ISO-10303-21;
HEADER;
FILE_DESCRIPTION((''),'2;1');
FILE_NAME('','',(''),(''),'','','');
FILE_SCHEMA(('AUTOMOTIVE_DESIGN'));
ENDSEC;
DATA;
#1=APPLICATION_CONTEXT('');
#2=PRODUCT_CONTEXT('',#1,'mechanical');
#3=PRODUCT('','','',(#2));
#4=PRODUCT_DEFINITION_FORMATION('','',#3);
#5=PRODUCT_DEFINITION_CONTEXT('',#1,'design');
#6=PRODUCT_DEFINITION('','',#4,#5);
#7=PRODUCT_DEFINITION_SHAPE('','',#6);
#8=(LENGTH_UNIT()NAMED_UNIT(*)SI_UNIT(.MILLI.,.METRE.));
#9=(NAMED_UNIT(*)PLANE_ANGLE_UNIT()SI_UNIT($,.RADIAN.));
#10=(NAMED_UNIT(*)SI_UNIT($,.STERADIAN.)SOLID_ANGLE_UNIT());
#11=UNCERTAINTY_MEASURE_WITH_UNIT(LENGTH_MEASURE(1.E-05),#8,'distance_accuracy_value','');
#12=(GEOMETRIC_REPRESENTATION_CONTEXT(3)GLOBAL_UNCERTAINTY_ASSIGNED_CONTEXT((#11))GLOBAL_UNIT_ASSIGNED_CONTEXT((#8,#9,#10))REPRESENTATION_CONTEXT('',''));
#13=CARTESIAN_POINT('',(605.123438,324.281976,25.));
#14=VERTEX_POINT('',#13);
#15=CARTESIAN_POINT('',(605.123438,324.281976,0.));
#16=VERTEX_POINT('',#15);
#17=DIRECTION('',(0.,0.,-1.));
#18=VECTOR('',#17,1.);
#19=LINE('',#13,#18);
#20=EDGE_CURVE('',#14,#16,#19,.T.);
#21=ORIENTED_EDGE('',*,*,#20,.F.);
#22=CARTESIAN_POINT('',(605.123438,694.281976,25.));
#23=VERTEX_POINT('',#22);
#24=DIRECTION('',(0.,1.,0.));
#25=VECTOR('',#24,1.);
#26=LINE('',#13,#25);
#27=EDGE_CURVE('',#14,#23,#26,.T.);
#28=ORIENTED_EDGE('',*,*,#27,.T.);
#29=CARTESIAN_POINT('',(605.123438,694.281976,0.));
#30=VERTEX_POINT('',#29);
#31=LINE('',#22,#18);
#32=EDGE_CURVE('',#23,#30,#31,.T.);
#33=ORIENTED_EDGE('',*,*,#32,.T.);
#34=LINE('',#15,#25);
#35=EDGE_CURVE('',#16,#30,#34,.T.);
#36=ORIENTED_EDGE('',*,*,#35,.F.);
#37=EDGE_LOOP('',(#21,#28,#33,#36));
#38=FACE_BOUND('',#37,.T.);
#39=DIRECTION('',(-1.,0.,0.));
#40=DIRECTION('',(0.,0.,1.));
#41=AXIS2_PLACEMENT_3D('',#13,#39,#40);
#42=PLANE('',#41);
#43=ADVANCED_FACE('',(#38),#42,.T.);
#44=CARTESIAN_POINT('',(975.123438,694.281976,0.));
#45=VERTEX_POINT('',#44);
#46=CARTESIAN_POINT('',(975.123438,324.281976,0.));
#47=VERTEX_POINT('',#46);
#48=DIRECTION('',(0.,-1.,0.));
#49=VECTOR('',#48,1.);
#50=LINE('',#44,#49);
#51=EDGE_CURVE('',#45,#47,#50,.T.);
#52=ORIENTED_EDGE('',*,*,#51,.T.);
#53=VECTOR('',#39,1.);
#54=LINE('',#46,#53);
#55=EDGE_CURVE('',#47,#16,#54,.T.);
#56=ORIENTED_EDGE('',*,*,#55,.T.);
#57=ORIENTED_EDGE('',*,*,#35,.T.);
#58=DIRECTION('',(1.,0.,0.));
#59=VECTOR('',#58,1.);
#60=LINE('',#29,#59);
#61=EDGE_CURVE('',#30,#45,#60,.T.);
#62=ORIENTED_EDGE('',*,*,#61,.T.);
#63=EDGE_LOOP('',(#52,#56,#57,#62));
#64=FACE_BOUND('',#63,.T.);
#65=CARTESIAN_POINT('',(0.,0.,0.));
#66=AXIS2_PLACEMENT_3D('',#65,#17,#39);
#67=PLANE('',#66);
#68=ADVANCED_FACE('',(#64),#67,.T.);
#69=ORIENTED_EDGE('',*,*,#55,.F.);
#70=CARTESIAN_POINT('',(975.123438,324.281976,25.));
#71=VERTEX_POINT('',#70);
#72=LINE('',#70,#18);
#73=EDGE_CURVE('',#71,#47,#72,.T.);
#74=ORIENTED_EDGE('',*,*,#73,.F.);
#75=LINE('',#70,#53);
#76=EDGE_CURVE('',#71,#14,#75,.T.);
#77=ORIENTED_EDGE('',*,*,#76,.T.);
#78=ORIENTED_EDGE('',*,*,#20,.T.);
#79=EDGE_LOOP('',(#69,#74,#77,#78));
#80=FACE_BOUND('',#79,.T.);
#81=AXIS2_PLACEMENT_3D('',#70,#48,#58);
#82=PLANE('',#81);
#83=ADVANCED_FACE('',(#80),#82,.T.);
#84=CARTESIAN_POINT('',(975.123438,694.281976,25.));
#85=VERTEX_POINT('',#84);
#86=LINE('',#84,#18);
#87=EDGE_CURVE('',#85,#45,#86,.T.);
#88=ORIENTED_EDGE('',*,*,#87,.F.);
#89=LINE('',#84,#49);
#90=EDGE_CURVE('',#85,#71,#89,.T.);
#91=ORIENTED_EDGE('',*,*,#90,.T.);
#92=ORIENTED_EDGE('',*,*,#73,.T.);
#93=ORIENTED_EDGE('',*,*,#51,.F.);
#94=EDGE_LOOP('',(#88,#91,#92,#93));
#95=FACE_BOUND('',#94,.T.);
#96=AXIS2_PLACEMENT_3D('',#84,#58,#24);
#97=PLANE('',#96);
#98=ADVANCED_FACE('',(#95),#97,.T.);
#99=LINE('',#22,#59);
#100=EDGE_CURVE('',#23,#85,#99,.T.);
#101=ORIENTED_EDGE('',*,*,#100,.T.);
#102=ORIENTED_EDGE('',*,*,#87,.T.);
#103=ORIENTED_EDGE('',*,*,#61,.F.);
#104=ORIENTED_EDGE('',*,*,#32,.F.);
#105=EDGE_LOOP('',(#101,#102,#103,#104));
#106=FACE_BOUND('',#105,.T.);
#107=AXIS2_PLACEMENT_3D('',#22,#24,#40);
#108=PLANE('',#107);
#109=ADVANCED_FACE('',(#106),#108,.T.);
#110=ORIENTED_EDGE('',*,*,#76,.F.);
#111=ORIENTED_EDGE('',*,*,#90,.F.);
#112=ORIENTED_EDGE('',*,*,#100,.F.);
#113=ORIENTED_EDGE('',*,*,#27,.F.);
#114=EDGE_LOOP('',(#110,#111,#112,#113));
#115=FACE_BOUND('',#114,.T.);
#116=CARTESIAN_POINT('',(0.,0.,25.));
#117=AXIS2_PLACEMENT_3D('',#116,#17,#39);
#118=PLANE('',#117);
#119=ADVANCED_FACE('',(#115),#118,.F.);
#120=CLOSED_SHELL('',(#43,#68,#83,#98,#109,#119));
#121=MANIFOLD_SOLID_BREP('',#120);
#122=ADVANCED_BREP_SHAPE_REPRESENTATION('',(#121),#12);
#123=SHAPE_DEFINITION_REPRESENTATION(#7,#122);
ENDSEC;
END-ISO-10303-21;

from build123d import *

# Parameters (mm, degrees)
CROQUIS1_W              = 370
CROQUIS1_H              = 370
SALIENTE_EXTRUIR1_DEPTH = 25


with BuildPart() as part:
    # Croquis1 → Saliente-Extruir1 (new body)
    with BuildSketch(Plane.XY):
        with Locations((790.123437975, 509.281976167)):
            Rectangle(CROQUIS1_W, CROQUIS1_H)
    extrude(amount=SALIENTE_EXTRUIR1_DEPTH)


solid = part.part
